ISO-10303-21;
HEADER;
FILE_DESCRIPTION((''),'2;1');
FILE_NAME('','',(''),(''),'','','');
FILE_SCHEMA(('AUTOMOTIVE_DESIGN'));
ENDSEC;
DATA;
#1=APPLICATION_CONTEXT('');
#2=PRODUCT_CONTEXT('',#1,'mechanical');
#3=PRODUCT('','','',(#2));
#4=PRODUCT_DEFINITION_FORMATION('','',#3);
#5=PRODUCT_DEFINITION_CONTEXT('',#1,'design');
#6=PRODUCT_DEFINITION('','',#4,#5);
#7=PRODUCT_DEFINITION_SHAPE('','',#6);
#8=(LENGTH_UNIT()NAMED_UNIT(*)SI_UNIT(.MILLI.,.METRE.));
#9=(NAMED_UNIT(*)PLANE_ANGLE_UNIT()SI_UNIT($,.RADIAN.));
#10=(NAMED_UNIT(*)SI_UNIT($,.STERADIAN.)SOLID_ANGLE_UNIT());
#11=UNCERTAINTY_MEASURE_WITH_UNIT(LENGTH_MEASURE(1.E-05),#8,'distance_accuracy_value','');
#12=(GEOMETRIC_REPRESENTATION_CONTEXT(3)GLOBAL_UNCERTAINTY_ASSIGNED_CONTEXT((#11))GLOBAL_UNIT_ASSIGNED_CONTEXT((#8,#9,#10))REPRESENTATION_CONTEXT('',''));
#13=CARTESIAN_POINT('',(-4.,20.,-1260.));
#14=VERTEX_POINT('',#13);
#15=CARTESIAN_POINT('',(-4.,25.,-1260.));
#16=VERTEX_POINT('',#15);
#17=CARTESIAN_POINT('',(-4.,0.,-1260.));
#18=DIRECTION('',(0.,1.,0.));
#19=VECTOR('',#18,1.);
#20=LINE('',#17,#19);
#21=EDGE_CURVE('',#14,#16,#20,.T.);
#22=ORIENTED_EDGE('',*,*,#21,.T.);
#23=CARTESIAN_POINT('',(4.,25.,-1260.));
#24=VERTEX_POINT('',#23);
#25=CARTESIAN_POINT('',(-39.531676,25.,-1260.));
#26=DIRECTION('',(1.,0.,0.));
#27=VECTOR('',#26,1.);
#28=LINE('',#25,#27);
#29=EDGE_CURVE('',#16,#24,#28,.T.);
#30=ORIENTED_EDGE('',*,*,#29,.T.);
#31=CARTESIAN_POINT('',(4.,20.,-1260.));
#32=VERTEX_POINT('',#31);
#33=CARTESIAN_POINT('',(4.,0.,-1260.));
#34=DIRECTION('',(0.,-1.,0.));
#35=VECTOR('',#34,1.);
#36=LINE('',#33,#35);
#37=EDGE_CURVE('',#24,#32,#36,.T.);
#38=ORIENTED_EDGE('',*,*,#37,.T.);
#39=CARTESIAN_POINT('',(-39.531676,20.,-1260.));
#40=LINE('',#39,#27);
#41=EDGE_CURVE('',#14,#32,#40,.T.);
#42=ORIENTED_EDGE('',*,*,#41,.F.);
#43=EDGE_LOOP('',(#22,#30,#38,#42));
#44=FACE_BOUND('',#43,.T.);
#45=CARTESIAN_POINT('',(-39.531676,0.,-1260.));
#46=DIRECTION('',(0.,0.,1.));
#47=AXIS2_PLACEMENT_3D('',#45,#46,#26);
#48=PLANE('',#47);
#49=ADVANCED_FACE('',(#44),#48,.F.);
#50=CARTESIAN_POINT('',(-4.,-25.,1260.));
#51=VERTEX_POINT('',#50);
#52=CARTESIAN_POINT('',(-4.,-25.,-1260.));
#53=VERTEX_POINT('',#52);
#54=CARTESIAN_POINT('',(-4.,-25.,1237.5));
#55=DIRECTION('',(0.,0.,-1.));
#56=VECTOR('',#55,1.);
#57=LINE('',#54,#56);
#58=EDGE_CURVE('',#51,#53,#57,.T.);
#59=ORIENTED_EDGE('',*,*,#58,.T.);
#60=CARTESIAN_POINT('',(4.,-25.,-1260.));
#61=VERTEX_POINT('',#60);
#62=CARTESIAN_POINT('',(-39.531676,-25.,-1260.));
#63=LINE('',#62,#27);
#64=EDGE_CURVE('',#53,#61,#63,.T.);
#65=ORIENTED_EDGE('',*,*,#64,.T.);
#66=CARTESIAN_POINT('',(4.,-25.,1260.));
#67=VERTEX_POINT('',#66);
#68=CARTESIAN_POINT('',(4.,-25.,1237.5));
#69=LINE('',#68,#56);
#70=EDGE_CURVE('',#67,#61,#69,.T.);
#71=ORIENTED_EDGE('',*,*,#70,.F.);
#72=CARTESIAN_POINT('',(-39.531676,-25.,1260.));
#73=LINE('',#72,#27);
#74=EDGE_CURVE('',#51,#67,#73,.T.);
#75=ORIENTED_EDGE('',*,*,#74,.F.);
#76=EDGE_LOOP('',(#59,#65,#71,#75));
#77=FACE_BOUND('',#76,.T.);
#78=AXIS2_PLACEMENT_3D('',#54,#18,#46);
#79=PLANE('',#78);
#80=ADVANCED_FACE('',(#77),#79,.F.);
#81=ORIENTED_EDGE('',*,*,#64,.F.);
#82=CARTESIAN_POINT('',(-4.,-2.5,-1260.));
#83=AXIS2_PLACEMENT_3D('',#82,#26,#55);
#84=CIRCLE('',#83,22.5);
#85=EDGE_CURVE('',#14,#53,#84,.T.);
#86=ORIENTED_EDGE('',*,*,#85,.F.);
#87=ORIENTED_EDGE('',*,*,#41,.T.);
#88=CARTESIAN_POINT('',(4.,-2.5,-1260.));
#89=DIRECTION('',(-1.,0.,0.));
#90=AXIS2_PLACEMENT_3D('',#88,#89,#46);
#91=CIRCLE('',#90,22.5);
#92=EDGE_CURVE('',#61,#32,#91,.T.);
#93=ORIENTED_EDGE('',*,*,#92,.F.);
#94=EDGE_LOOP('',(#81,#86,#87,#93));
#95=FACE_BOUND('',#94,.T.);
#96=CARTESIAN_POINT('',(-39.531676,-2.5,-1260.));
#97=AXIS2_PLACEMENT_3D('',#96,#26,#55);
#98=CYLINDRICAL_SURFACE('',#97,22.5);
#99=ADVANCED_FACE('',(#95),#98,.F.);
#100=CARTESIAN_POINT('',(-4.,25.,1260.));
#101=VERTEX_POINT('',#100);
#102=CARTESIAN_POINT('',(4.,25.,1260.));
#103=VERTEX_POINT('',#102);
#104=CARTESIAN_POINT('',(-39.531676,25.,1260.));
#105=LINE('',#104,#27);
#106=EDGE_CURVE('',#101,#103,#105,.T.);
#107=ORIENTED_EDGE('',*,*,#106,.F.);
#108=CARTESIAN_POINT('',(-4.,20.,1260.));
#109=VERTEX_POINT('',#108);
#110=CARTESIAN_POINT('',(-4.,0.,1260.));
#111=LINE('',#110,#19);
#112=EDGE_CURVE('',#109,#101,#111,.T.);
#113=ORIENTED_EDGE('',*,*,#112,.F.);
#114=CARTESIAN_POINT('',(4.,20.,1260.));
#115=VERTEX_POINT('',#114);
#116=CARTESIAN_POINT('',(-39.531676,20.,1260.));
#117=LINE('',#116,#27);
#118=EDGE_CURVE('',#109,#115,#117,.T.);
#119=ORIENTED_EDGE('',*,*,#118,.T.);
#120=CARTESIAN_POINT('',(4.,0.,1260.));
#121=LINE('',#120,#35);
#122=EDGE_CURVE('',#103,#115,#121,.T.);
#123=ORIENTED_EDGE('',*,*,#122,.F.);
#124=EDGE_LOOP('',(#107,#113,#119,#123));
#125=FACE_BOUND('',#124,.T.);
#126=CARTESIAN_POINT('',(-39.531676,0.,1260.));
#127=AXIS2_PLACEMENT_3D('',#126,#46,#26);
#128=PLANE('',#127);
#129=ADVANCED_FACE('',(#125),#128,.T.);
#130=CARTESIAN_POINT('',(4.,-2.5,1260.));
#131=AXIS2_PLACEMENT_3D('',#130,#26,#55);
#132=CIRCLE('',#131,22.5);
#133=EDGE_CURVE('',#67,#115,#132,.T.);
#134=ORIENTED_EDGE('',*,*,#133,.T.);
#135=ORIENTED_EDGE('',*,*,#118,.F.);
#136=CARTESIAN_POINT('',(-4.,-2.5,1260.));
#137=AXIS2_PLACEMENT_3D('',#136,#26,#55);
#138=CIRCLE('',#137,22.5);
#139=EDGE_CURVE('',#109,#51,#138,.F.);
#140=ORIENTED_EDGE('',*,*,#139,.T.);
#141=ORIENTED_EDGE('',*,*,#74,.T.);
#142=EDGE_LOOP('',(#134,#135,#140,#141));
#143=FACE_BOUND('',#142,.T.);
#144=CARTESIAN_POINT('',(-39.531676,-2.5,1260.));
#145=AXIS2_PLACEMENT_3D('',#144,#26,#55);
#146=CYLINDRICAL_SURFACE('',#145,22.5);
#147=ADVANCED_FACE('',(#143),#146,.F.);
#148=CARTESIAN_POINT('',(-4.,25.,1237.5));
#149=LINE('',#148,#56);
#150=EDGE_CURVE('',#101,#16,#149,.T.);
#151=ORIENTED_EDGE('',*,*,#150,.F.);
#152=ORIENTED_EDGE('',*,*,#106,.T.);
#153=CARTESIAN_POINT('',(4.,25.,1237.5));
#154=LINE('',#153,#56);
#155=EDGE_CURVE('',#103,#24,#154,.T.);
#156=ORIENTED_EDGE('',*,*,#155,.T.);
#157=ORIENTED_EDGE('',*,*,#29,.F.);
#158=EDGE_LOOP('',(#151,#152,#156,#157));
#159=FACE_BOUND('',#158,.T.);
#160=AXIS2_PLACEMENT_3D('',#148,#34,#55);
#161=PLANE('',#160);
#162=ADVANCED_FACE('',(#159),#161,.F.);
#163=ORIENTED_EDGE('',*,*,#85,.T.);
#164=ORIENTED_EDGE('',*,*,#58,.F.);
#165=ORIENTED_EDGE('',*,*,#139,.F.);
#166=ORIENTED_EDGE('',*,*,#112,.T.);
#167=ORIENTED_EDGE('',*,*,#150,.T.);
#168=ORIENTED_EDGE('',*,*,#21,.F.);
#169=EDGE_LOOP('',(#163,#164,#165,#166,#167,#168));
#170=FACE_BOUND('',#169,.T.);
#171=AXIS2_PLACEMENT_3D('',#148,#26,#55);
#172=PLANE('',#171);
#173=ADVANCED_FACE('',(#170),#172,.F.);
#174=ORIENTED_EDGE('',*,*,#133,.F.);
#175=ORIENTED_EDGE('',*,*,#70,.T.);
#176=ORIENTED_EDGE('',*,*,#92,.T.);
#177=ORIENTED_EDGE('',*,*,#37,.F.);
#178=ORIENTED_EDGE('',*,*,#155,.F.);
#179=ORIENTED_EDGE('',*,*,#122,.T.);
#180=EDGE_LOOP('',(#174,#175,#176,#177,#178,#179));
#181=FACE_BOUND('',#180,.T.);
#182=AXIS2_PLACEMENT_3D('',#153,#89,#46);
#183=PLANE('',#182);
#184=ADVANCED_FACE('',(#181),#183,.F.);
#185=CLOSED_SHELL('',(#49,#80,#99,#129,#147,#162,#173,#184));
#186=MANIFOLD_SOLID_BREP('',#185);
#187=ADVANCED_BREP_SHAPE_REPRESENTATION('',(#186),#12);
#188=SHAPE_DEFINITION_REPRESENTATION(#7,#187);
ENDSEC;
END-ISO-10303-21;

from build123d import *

# Parameters (mm, degrees)
SKETCH_1_W      = 8
SKETCH_1_H      = 50
EXTRUDE_1_DEPTH = 1237.5
EXTRUDE_2_DEPTH = 8


with BuildPart() as part:
    # Эскиз1 → Бобышка-Вытянуть1 (new, symmetric)
    with BuildSketch(Plane.XY):
        Rectangle(SKETCH_1_W, SKETCH_1_H)
    extrude(amount=EXTRUDE_1_DEPTH, both=True)

    # Эскиз2 → Бобышка-Вытянуть2 (add)
    with BuildSketch(Plane(origin=(4, 0, 0), x_dir=(0, 0, -1), z_dir=(1, 0, 0))):
        with BuildLine():
            Line((-1237.5, -2.500000274), (-1237.5, 25))
            Line((-1237.5, 25), (-1260, 25))
            Line((-1260, 25), (-1260, 20))
            ThreePointArc((-1260, 20), (-1244.090097326, 13.40990248), (-1237.5, -2.500000274))
        make_face()
        with BuildLine():
            Line((-1237.5, -25), (-1237.5, -2.500000274))
            ThreePointArc((-1237.5, -2.500000274), (-1244.09009752, -18.409902674), (-1260, -25))
            Line((-1260, -25), (-1237.5, -25))
        make_face()
    extrude_2 = extrude(amount=-EXTRUDE_2_DEPTH)

    # Зеркальное отражение1: Бобышка-Вытянуть2 across plane
    add(extrude_2.mirror(Plane.XY))


solid = part.part
